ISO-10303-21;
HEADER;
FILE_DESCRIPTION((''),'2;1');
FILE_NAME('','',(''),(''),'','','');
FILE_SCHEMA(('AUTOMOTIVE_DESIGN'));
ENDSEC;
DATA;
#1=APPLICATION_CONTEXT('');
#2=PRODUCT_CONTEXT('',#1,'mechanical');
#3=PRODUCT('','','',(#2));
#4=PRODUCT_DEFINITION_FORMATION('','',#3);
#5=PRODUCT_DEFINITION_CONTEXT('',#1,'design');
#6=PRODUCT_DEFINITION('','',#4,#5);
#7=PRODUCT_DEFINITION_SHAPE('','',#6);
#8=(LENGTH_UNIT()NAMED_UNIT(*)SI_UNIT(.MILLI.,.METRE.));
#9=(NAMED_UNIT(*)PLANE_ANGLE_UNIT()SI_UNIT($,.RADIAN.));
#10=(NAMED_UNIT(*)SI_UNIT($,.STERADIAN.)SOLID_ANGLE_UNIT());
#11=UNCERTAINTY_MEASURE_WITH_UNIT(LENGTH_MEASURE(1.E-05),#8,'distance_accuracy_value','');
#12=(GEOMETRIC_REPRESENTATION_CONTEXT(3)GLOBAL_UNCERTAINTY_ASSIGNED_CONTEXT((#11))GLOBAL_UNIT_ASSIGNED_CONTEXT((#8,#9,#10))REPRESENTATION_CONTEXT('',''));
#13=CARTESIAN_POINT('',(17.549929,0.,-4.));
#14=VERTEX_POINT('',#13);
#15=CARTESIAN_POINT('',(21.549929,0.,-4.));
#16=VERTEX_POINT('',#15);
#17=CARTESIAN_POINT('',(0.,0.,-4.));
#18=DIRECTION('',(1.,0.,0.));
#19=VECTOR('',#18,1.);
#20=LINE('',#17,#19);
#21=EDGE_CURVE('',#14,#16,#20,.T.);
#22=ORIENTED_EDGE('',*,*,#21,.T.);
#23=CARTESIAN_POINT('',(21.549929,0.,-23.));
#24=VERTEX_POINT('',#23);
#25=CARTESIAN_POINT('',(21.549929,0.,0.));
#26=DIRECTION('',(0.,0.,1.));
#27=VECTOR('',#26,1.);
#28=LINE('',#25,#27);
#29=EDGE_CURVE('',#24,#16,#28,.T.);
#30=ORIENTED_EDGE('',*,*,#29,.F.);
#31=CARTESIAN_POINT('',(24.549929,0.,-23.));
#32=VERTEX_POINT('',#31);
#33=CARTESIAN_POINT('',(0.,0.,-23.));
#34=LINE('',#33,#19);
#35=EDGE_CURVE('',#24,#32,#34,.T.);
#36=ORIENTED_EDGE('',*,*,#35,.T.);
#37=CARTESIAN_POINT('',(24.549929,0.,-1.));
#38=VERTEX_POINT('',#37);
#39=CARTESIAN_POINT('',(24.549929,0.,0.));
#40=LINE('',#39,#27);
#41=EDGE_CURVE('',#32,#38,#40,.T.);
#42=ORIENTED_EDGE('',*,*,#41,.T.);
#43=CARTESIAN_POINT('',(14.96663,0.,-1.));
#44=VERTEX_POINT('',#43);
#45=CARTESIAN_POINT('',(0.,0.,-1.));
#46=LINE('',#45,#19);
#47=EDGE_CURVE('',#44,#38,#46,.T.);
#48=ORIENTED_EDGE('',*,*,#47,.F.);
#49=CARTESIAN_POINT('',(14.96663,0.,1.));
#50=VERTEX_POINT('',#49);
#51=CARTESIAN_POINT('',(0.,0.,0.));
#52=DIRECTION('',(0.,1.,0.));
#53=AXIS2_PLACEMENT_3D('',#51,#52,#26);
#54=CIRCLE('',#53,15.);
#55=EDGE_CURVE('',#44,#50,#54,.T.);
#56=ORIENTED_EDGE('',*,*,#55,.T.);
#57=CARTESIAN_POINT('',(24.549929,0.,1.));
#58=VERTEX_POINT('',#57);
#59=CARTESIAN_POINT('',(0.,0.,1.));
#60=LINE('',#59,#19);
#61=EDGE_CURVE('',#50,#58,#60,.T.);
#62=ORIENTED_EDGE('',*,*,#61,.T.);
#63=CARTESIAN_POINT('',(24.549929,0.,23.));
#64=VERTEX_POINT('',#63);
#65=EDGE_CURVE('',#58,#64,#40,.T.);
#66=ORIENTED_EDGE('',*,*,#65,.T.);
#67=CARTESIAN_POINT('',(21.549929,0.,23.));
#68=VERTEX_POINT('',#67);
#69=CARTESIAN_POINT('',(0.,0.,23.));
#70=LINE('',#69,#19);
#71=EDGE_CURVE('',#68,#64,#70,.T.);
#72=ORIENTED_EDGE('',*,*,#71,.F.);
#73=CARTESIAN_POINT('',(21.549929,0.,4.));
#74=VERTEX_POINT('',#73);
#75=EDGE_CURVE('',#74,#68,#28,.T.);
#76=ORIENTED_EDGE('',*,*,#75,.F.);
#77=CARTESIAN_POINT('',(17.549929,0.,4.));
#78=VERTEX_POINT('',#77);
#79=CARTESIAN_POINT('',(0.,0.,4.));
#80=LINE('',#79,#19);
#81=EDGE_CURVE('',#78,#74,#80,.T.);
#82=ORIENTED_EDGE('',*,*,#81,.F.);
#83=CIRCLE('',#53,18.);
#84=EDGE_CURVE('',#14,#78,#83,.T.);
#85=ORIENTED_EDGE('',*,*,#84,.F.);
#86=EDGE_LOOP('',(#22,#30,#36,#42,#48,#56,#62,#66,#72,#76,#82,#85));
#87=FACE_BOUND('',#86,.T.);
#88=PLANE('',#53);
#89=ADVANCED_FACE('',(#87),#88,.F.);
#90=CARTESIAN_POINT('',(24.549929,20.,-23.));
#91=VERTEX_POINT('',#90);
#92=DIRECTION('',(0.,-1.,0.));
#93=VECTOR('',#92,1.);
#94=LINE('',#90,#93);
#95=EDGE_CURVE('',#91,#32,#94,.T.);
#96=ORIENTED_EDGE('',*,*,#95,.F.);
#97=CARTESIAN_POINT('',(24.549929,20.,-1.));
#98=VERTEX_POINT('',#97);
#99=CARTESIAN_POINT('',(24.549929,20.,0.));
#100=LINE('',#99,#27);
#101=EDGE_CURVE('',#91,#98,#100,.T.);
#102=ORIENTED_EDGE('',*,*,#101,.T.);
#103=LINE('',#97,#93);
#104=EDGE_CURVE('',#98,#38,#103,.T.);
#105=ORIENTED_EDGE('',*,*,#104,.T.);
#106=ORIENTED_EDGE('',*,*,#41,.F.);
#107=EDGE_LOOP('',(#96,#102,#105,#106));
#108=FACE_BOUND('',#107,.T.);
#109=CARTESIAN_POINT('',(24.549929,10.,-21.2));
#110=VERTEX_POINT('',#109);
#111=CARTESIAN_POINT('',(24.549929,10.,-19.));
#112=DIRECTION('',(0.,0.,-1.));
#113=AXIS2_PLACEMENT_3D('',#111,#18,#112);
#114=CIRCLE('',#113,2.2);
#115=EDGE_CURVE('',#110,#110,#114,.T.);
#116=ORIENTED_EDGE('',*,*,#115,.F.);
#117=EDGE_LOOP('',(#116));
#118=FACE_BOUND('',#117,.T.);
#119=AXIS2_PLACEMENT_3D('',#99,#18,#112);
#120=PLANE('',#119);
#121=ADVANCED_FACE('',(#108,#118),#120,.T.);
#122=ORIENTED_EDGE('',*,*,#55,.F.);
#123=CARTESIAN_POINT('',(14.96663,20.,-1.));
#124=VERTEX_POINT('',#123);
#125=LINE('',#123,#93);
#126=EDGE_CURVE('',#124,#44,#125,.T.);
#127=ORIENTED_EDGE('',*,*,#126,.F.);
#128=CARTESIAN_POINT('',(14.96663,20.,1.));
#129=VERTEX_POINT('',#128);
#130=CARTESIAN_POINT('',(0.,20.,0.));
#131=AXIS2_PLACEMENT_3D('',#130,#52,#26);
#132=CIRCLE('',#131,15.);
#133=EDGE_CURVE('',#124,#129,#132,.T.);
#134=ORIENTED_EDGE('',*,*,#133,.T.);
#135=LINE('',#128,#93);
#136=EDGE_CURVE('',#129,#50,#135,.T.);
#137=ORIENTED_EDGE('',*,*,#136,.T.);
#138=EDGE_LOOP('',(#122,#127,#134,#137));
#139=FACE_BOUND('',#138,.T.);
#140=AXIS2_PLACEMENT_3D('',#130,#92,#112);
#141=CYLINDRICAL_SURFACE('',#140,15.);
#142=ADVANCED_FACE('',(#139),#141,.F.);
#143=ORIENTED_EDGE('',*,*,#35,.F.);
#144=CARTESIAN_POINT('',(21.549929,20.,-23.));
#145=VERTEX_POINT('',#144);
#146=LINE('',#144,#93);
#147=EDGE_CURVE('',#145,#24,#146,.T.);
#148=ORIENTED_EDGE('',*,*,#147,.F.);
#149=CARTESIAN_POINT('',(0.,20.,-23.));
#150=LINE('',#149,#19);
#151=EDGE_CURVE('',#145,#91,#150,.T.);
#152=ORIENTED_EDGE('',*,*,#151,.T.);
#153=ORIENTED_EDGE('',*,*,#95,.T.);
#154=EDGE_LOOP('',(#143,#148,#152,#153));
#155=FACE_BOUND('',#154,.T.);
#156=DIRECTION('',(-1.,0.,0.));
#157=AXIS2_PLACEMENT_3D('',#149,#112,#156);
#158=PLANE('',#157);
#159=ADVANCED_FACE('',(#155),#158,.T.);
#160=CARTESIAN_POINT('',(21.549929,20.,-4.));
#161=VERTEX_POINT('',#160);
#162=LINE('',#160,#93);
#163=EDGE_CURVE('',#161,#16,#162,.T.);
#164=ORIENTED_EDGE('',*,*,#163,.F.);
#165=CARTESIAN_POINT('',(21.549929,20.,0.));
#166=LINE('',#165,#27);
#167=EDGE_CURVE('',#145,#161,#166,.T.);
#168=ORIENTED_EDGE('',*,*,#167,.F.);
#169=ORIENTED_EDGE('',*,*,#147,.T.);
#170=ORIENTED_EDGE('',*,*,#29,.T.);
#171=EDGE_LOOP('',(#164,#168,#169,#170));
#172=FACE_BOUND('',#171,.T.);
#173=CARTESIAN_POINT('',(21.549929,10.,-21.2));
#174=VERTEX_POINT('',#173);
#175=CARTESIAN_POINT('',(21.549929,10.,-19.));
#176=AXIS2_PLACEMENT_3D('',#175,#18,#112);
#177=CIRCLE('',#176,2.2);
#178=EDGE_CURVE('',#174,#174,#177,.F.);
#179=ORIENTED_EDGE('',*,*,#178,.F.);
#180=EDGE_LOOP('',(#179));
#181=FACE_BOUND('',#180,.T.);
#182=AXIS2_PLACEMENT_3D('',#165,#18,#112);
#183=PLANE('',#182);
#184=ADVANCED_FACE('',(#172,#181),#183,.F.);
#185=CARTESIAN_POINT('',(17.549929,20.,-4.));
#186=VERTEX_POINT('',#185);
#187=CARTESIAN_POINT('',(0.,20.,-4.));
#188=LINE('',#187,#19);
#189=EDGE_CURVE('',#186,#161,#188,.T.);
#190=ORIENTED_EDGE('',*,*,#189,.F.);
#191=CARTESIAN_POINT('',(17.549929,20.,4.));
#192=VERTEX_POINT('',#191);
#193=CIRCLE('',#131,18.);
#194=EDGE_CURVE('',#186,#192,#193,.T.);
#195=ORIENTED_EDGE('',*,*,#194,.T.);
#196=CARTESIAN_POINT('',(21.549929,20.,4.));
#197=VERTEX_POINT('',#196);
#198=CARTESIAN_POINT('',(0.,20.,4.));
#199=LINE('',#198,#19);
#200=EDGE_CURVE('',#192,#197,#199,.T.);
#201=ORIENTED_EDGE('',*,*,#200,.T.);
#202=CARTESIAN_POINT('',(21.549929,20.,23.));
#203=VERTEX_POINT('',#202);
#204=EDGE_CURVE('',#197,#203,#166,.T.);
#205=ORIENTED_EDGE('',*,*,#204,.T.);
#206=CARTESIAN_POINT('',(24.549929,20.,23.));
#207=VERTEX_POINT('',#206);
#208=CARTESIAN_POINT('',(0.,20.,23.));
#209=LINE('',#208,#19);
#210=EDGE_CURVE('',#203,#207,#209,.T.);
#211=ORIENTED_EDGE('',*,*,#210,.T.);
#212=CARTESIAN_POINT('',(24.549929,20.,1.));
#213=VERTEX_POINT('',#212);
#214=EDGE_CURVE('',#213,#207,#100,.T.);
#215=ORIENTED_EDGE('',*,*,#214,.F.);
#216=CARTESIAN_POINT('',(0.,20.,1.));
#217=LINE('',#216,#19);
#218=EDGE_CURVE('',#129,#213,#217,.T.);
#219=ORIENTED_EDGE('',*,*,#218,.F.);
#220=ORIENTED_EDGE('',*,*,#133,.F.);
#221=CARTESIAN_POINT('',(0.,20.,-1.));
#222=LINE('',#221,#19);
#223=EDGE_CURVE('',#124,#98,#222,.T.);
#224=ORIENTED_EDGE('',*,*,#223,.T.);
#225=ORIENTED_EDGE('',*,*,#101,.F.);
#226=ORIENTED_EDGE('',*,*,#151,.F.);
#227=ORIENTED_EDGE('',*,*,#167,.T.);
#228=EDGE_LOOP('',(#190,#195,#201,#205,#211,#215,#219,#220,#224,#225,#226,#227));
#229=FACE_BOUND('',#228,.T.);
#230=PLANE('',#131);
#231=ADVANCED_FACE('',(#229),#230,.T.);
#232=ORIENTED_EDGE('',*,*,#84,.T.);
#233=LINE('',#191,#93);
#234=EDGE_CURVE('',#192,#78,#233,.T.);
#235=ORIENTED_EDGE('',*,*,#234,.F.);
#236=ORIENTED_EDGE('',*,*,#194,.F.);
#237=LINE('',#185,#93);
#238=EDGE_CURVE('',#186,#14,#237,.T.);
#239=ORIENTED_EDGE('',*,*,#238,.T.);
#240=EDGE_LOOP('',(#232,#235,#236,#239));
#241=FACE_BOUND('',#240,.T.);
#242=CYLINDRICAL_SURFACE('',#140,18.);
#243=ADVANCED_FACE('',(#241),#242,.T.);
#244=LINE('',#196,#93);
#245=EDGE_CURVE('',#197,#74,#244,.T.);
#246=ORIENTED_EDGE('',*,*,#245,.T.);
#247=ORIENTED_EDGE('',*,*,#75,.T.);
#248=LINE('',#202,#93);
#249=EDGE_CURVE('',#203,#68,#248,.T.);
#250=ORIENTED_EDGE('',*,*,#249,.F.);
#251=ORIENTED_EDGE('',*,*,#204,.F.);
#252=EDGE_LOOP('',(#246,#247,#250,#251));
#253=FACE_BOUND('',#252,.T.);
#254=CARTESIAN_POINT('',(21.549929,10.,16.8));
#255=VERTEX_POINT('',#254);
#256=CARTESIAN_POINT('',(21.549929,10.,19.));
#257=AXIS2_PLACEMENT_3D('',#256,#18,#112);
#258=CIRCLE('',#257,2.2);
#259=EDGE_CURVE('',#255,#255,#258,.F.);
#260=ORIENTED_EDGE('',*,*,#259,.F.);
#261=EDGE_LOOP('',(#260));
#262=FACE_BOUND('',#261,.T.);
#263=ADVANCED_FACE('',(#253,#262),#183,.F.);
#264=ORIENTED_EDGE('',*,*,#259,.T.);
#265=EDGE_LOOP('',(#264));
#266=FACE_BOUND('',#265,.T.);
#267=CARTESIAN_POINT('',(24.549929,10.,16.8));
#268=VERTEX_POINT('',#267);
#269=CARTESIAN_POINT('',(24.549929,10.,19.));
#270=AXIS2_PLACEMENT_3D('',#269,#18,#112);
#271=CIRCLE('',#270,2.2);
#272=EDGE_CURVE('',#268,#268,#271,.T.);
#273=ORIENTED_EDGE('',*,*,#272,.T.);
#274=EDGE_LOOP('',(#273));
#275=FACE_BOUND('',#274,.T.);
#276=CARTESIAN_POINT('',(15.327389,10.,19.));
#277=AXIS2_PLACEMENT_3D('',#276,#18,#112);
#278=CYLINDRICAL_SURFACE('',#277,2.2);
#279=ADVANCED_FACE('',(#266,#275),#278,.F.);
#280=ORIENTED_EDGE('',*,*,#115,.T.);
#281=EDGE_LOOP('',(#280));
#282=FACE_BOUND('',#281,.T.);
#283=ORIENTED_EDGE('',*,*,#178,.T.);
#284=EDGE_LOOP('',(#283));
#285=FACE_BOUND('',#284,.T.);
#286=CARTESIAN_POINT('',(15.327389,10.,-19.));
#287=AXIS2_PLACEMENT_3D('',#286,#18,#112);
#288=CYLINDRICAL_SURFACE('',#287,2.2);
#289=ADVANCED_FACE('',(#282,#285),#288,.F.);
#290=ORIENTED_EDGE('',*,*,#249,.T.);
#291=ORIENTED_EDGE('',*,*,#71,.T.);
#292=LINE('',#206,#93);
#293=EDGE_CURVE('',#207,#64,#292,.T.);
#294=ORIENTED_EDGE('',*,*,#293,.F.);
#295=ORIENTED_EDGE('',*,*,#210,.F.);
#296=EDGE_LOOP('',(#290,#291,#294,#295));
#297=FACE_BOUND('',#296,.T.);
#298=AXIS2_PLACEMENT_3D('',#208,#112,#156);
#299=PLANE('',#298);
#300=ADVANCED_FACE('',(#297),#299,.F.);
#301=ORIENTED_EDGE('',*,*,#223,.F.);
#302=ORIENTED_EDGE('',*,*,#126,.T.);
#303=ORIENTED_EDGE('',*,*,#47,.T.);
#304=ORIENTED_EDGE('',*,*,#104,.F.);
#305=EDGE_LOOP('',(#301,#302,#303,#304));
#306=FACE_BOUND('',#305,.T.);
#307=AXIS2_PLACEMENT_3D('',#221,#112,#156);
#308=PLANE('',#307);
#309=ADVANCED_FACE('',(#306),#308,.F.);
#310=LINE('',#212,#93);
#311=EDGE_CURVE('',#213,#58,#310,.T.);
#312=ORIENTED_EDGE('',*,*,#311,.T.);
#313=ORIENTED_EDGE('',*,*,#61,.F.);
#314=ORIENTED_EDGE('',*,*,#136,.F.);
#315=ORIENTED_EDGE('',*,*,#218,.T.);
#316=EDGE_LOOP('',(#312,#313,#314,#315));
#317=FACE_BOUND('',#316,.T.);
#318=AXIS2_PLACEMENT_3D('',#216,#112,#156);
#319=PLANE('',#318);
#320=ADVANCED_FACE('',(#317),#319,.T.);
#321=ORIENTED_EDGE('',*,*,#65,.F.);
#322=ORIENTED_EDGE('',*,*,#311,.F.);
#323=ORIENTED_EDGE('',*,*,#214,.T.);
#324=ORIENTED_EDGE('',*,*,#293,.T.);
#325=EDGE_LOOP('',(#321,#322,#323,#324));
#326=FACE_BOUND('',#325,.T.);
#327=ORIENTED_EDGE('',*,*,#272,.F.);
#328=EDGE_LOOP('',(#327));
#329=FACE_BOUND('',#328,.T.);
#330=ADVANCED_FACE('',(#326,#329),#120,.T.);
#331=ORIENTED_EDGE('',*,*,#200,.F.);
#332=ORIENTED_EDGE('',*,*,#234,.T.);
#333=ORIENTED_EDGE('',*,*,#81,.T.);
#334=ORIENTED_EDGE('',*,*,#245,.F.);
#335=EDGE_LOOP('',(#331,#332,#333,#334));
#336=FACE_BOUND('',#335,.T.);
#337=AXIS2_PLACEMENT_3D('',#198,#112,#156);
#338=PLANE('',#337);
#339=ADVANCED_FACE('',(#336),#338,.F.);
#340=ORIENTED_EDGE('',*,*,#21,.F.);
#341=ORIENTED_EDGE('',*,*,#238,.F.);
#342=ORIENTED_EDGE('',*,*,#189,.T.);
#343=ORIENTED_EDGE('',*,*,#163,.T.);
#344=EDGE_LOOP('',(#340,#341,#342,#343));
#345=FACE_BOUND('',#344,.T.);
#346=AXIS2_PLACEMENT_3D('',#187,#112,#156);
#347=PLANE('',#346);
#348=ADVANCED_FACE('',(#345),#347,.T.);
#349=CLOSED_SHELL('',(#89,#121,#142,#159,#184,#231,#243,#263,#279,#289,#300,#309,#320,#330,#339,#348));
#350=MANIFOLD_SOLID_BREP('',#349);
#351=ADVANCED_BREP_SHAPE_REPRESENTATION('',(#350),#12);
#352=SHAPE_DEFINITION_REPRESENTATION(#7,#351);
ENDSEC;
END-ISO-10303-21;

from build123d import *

# Parameters (mm, degrees)
BOSS_EXTRUDE1_DEPTH = 20
SKETCH2_R           = 2.2
CUT_EXTRUDE1_DEPTH  = 3


with BuildPart() as part:
    # Sketch1 → Boss-Extrude1 (new body)
    with BuildSketch(Plane(origin=(0, 0, 0), x_dir=(1, 0, 0), z_dir=(0, 1, 0))):
        with BuildLine():
            Line((24.549928775, -5.633868186), (24.549928775, -1))
            Line((24.549928775, -1), (14.966629547, -1))
            ThreePointArc((14.966629547, -1), (-15, 0), (14.966629547, 1))
            Line((14.966629547, 1), (24.549928775, 1))
            Line((24.549928775, 1), (24.549928775, 9.723102863))
            Line((24.549928775, 9.723102863), (24.549928775, 23))
            Line((24.549928775, 23), (21.549928775, 23))
            Line((21.549928775, 23), (21.549928775, 4))
            Line((21.549928775, 4), (17.549928775, 4))
            ThreePointArc((17.549928775, 4), (-18, 0), (17.549928775, -4))
            Line((17.549928775, -4), (21.549928775, -4))
            Line((21.549928775, -4), (21.549928775, -23))
            Line((21.549928775, -23), (24.549928775, -23))
            Line((24.549928775, -23), (24.549928775, -5.633868186))
        make_face()
    extrude(amount=BOSS_EXTRUDE1_DEPTH)

    # Sketch2 → Cut-Extrude1 (cut)
    with BuildSketch(Plane(origin=(24.549928775, 0, 0), x_dir=(0, 0, -1), z_dir=(1, 0, 0))):
        with Locations((19, 10)):
            Circle(SKETCH2_R)
        with Locations((-19, 10)):
            Circle(SKETCH2_R)
    extrude(amount=-CUT_EXTRUDE1_DEPTH, mode=Mode.SUBTRACT)


solid = part.part
